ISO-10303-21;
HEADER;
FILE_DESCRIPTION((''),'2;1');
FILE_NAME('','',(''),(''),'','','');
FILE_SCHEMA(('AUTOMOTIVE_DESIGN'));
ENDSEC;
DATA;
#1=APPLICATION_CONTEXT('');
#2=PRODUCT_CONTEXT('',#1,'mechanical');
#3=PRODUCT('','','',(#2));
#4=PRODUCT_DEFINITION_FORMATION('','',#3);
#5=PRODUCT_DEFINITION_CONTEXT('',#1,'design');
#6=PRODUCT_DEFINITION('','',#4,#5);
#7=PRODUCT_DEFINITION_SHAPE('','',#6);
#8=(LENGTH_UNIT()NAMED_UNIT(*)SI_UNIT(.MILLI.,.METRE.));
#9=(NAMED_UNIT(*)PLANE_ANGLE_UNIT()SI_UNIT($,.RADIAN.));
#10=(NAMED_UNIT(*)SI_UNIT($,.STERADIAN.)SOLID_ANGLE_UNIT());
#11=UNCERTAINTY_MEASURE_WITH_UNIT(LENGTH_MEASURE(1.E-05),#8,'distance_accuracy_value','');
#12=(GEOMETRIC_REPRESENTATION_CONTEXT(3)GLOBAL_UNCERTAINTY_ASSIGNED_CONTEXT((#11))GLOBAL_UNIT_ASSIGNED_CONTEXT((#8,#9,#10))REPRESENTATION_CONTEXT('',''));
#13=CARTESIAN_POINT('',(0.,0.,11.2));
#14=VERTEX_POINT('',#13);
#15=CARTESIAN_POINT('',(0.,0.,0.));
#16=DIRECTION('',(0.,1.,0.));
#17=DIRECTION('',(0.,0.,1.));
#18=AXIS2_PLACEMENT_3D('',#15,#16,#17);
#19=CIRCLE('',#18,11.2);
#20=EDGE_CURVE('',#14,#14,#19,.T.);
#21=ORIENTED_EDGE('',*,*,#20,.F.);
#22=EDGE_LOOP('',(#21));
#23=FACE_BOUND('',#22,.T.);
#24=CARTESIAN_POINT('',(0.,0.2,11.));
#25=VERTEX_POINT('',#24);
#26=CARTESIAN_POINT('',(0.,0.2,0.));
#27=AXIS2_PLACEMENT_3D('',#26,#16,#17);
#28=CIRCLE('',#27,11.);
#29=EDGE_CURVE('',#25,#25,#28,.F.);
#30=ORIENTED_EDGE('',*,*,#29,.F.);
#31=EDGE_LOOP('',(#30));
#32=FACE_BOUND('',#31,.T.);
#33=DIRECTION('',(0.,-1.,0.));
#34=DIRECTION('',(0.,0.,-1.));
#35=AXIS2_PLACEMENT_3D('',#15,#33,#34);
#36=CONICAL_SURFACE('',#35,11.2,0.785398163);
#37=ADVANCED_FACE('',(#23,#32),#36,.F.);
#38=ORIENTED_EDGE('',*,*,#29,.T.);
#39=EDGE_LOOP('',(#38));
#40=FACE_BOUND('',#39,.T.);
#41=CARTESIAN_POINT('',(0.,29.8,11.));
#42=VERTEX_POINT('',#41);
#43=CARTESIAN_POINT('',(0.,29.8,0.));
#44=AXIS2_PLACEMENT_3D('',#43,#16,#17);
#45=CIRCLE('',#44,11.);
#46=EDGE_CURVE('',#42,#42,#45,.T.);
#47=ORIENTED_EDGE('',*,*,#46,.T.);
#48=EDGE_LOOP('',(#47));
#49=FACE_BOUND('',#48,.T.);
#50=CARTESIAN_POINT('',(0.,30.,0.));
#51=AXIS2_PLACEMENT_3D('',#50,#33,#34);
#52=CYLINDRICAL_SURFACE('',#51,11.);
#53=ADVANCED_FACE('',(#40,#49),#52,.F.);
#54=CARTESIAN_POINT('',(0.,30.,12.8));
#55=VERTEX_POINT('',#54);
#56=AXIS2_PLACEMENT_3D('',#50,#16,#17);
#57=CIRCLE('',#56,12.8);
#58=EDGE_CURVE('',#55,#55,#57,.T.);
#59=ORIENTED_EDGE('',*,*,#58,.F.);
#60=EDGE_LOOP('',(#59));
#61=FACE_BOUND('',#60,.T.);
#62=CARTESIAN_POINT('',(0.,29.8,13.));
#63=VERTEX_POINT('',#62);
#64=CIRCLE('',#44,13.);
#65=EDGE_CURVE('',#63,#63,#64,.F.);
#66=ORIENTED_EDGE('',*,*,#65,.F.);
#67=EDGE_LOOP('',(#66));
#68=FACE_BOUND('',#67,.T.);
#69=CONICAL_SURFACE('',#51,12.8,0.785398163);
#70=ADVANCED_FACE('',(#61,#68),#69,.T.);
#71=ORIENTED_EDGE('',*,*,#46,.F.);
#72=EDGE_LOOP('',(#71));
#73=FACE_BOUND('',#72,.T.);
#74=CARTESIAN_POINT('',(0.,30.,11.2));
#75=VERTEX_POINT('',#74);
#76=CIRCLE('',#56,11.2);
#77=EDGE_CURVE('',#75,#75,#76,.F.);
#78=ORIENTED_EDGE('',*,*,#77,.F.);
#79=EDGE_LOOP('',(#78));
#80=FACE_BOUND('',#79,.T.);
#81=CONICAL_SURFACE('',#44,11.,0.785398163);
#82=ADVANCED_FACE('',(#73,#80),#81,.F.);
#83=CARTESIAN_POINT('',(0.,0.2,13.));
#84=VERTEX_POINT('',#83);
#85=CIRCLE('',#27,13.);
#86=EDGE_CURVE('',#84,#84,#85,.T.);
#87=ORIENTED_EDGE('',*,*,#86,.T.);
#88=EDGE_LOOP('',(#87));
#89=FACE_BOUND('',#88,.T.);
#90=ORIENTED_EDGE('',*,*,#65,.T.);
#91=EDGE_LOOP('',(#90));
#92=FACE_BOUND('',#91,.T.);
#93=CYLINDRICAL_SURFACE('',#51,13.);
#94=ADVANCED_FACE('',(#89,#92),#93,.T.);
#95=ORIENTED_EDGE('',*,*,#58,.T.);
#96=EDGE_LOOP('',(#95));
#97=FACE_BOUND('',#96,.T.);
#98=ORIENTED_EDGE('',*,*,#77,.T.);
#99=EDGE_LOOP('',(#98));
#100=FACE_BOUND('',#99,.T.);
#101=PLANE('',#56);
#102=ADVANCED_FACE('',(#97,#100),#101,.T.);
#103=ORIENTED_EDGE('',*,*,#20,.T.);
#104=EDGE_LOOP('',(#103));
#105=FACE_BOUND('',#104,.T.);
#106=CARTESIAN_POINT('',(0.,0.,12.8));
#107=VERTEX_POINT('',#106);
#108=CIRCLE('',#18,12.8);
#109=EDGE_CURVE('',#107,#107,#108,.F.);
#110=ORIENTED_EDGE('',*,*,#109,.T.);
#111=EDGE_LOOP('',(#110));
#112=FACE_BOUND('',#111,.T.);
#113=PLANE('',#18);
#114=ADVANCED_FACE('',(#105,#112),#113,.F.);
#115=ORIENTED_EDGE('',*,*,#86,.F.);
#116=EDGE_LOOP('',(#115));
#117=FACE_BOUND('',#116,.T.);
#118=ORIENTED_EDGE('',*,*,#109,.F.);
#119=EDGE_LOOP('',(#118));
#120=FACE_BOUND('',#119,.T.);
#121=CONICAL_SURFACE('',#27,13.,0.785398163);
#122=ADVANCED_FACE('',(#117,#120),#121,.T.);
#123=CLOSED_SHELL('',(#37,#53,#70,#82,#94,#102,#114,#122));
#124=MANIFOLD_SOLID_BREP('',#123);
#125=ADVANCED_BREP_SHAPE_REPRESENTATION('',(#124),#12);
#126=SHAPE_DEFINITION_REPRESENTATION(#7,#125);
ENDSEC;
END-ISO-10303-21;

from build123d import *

# Parameters (mm, degrees)
SKETCH1_R           = 13
SKETCH1_R_2         = 11
BOSS_EXTRUDE1_DEPTH = 30
CHAMFER1_SIZE       = 0.2


with BuildPart() as part:
    # Sketch1 → Boss-Extrude1 (new body)
    with BuildSketch(Plane(origin=(0, 0, 0), x_dir=(1, 0, 0), z_dir=(0, 1, 0))):
        with Locations(Location((0, 0, 0), (0, 0, 270))):
            Circle(SKETCH1_R)
        with Locations(Location((0, 0, 0), (0, 0, 270))):
            Circle(SKETCH1_R_2, mode=Mode.SUBTRACT)
    extrude(amount=BOSS_EXTRUDE1_DEPTH)

    # Chamfer1
    chamfer1_edges = [part.edges().sort_by_distance(p)[0] for p in [
        (0, 0, -13),
        (0, 30, -13),
        (0, 0, -11),
        (0, 30, -11),
    ]]
    chamfer(chamfer1_edges, length=CHAMFER1_SIZE)


solid = part.part
